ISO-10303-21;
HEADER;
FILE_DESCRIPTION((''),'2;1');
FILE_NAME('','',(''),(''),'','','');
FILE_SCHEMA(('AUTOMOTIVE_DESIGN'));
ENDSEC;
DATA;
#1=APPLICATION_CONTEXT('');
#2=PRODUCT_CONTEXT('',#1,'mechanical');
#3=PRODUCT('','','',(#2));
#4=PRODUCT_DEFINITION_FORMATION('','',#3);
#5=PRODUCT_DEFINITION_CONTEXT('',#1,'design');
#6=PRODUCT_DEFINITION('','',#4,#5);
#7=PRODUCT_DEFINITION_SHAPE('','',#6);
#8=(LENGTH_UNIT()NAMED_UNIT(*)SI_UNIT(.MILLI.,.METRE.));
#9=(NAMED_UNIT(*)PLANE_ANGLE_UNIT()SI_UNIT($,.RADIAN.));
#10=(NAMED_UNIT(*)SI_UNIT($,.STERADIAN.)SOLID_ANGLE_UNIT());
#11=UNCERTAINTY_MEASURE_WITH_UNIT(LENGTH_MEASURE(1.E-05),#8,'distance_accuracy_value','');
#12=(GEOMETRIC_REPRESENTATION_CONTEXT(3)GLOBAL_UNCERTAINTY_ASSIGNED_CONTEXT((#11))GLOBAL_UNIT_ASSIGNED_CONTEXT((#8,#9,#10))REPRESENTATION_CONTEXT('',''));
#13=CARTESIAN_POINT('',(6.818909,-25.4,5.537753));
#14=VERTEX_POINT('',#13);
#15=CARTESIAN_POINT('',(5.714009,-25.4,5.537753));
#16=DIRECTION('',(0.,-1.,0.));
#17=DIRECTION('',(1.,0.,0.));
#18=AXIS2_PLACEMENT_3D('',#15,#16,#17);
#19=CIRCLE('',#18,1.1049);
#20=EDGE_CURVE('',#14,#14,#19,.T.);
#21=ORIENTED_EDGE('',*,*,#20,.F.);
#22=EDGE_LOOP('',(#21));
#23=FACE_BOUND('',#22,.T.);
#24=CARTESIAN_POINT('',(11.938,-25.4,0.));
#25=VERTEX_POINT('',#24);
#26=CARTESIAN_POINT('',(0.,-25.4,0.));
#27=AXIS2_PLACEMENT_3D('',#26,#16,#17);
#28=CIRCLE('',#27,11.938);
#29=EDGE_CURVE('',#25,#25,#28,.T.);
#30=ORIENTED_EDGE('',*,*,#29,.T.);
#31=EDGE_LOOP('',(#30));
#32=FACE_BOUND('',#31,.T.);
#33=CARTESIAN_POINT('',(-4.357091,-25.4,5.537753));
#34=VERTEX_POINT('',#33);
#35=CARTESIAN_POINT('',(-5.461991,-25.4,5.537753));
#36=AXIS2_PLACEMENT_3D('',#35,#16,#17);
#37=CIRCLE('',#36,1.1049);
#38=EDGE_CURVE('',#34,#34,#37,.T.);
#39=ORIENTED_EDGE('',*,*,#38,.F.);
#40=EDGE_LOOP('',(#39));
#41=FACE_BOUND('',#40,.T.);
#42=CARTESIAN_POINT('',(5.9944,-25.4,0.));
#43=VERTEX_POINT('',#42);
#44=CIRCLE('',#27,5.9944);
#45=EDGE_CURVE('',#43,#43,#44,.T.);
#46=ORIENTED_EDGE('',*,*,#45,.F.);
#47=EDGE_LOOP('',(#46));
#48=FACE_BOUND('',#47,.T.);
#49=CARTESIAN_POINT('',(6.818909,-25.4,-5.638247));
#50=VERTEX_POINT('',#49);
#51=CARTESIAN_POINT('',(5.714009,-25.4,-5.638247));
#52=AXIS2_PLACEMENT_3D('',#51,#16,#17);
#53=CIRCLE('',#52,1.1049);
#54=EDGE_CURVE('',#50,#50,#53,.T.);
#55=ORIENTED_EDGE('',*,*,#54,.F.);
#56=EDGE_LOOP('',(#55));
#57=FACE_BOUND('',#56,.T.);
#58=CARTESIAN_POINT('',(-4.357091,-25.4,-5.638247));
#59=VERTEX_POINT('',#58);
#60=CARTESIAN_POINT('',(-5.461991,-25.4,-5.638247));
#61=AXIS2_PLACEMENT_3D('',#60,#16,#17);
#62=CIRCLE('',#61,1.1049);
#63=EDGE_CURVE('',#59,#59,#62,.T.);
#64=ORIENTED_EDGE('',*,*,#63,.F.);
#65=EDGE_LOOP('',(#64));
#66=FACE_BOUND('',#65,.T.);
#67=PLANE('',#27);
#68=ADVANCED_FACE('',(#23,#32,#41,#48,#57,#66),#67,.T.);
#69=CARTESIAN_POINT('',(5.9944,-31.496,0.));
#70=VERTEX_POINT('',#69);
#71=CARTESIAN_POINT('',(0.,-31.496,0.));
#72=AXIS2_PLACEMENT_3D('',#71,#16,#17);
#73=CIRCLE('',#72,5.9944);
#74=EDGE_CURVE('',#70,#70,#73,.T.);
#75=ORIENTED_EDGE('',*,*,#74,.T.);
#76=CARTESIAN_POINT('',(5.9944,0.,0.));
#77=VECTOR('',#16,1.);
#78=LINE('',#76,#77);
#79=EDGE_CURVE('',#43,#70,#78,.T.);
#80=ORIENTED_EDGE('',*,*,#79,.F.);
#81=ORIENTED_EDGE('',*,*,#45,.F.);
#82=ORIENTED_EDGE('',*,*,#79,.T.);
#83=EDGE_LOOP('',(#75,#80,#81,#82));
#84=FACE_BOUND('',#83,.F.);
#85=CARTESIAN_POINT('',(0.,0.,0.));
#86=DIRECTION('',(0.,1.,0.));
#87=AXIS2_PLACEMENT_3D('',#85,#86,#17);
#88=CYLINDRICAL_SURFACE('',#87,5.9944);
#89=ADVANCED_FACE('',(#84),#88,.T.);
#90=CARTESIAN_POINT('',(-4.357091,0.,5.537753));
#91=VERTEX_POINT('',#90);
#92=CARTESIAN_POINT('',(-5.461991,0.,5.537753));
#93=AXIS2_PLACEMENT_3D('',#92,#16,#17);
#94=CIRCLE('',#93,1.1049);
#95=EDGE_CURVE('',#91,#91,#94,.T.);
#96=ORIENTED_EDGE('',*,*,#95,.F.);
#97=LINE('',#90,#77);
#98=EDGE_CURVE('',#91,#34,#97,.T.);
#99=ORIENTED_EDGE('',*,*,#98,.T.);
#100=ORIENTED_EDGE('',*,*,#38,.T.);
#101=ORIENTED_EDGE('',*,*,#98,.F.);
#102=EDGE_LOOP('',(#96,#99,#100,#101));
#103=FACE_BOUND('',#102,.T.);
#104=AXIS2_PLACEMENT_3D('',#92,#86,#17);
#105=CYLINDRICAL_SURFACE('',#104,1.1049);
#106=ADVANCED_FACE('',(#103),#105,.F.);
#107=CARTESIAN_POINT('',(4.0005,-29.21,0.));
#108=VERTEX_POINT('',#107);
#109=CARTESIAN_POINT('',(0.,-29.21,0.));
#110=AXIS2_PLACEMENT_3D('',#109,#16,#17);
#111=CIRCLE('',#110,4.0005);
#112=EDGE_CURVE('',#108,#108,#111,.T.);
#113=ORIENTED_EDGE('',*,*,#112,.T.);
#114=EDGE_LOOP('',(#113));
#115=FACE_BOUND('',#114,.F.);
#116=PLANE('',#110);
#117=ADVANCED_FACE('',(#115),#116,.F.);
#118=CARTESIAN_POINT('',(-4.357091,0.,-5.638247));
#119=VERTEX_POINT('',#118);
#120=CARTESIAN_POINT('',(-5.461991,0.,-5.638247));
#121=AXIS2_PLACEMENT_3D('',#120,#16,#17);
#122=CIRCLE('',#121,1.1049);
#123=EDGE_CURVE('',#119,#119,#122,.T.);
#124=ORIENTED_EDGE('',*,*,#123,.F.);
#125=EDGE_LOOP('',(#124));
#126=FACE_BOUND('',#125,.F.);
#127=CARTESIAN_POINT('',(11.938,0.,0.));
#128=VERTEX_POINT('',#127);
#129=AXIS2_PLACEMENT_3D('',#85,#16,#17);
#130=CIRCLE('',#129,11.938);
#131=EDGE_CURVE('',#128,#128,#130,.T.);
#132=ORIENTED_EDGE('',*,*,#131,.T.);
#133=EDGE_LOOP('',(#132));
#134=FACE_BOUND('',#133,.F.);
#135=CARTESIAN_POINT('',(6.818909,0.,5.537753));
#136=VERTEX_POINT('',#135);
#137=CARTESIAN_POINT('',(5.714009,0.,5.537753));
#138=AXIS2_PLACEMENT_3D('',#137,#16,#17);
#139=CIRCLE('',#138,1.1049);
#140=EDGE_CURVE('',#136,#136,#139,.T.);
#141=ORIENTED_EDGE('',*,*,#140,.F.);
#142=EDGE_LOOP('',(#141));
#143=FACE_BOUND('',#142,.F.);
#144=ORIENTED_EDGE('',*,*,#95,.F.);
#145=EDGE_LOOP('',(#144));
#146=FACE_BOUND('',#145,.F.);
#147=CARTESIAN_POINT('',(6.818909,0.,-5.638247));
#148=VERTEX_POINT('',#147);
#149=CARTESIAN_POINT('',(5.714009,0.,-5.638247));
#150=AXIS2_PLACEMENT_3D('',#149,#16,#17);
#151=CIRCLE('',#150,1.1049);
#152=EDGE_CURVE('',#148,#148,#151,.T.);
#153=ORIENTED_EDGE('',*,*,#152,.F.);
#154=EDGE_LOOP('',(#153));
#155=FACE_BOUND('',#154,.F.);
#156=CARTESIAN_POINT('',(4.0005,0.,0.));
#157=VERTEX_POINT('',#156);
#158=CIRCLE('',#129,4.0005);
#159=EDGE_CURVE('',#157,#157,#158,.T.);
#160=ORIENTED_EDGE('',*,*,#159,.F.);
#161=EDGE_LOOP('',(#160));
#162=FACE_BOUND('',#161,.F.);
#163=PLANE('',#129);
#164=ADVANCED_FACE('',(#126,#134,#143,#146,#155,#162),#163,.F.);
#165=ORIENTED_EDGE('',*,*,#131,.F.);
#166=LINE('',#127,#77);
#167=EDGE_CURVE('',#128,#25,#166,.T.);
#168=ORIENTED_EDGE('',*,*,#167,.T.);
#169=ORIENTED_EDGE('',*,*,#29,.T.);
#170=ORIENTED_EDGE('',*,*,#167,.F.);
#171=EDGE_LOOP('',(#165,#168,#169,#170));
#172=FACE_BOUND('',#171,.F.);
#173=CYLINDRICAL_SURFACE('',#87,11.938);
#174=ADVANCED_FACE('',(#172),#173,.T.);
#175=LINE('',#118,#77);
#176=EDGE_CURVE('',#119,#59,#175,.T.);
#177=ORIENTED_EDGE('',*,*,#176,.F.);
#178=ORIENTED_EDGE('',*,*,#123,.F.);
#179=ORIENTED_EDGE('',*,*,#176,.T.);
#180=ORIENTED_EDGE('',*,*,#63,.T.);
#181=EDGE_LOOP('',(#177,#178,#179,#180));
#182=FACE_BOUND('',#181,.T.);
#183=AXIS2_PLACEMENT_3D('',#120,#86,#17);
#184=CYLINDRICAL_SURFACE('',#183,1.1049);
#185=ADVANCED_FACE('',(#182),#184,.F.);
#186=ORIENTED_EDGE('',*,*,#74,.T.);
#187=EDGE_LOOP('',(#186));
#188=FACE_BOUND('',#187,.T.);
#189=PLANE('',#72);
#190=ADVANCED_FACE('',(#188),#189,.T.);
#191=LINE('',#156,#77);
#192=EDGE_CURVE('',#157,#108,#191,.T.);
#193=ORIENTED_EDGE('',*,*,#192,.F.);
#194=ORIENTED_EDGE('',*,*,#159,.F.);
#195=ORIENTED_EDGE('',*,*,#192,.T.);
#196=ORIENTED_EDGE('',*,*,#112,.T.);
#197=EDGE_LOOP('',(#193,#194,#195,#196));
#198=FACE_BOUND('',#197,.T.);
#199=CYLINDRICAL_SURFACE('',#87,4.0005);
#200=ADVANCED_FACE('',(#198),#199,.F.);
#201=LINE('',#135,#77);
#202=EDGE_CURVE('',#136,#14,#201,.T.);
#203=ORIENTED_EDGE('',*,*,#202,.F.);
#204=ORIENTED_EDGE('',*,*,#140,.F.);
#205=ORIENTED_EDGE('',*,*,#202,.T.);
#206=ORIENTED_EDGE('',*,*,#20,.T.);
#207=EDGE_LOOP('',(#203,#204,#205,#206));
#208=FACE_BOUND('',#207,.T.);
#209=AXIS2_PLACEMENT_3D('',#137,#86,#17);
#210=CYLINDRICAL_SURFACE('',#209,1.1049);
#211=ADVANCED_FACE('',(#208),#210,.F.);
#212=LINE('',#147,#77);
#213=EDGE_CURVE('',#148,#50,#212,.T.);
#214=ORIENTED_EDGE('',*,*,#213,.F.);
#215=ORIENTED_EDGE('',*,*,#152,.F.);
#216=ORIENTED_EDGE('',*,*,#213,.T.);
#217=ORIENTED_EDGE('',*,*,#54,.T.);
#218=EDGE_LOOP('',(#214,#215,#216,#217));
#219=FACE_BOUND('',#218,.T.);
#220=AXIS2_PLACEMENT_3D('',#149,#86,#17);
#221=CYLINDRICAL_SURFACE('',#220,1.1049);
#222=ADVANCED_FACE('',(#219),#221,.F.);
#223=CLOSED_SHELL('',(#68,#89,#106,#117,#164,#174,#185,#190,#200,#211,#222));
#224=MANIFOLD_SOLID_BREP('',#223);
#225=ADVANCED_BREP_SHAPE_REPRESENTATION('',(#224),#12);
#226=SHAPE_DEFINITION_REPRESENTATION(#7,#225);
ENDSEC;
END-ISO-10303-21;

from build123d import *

# Parameters (mm, degrees)
F0_R     = 11.938
F0_R_2   = 1.1049
F0_R_3   = 5.9944
F1_DEPTH = 25.4
F0_R_4   = 4.0005
F2_DEPTH = 31.496
F3_DEPTH = 31.496
F4_R     = 4.0005
F5_DEPTH = 29.21


with BuildPart() as f1:
    # F0 (on Front) → F1 (new body)
    with BuildSketch(Plane.XZ):
        Circle(F0_R)
        with Locations((-5.461991, -5.638247)):
            Circle(F0_R_2, mode=Mode.SUBTRACT)
        with Locations((5.714009, -5.638247)):
            Circle(F0_R_2, mode=Mode.SUBTRACT)
        with Locations((-5.461991, 5.537753)):
            Circle(F0_R_2, mode=Mode.SUBTRACT)
        Circle(F0_R_3, mode=Mode.SUBTRACT)
        with Locations((5.714009, 5.537753)):
            Circle(F0_R_2, mode=Mode.SUBTRACT)
    extrude(amount=F1_DEPTH)

    # F0 (on Front) → F2 (join)
    with BuildSketch(Plane.XZ):
        Circle(F0_R_3)
        Circle(F0_R_4, mode=Mode.SUBTRACT)
    extrude(amount=F2_DEPTH)

    # F0 (on Front) → F3 (join)
    with BuildSketch(Plane.XZ):
        Circle(F0_R_4)
    extrude(amount=F3_DEPTH)

    # F4 (on face) + F0 (on Front) → F5 (cut)
    with BuildSketch(Plane.XZ):
        Circle(F4_R)
    with BuildSketch(Plane.XZ):
        Circle(F0_R_4)
    extrude(amount=F5_DEPTH, mode=Mode.SUBTRACT)


solid = f1.part
